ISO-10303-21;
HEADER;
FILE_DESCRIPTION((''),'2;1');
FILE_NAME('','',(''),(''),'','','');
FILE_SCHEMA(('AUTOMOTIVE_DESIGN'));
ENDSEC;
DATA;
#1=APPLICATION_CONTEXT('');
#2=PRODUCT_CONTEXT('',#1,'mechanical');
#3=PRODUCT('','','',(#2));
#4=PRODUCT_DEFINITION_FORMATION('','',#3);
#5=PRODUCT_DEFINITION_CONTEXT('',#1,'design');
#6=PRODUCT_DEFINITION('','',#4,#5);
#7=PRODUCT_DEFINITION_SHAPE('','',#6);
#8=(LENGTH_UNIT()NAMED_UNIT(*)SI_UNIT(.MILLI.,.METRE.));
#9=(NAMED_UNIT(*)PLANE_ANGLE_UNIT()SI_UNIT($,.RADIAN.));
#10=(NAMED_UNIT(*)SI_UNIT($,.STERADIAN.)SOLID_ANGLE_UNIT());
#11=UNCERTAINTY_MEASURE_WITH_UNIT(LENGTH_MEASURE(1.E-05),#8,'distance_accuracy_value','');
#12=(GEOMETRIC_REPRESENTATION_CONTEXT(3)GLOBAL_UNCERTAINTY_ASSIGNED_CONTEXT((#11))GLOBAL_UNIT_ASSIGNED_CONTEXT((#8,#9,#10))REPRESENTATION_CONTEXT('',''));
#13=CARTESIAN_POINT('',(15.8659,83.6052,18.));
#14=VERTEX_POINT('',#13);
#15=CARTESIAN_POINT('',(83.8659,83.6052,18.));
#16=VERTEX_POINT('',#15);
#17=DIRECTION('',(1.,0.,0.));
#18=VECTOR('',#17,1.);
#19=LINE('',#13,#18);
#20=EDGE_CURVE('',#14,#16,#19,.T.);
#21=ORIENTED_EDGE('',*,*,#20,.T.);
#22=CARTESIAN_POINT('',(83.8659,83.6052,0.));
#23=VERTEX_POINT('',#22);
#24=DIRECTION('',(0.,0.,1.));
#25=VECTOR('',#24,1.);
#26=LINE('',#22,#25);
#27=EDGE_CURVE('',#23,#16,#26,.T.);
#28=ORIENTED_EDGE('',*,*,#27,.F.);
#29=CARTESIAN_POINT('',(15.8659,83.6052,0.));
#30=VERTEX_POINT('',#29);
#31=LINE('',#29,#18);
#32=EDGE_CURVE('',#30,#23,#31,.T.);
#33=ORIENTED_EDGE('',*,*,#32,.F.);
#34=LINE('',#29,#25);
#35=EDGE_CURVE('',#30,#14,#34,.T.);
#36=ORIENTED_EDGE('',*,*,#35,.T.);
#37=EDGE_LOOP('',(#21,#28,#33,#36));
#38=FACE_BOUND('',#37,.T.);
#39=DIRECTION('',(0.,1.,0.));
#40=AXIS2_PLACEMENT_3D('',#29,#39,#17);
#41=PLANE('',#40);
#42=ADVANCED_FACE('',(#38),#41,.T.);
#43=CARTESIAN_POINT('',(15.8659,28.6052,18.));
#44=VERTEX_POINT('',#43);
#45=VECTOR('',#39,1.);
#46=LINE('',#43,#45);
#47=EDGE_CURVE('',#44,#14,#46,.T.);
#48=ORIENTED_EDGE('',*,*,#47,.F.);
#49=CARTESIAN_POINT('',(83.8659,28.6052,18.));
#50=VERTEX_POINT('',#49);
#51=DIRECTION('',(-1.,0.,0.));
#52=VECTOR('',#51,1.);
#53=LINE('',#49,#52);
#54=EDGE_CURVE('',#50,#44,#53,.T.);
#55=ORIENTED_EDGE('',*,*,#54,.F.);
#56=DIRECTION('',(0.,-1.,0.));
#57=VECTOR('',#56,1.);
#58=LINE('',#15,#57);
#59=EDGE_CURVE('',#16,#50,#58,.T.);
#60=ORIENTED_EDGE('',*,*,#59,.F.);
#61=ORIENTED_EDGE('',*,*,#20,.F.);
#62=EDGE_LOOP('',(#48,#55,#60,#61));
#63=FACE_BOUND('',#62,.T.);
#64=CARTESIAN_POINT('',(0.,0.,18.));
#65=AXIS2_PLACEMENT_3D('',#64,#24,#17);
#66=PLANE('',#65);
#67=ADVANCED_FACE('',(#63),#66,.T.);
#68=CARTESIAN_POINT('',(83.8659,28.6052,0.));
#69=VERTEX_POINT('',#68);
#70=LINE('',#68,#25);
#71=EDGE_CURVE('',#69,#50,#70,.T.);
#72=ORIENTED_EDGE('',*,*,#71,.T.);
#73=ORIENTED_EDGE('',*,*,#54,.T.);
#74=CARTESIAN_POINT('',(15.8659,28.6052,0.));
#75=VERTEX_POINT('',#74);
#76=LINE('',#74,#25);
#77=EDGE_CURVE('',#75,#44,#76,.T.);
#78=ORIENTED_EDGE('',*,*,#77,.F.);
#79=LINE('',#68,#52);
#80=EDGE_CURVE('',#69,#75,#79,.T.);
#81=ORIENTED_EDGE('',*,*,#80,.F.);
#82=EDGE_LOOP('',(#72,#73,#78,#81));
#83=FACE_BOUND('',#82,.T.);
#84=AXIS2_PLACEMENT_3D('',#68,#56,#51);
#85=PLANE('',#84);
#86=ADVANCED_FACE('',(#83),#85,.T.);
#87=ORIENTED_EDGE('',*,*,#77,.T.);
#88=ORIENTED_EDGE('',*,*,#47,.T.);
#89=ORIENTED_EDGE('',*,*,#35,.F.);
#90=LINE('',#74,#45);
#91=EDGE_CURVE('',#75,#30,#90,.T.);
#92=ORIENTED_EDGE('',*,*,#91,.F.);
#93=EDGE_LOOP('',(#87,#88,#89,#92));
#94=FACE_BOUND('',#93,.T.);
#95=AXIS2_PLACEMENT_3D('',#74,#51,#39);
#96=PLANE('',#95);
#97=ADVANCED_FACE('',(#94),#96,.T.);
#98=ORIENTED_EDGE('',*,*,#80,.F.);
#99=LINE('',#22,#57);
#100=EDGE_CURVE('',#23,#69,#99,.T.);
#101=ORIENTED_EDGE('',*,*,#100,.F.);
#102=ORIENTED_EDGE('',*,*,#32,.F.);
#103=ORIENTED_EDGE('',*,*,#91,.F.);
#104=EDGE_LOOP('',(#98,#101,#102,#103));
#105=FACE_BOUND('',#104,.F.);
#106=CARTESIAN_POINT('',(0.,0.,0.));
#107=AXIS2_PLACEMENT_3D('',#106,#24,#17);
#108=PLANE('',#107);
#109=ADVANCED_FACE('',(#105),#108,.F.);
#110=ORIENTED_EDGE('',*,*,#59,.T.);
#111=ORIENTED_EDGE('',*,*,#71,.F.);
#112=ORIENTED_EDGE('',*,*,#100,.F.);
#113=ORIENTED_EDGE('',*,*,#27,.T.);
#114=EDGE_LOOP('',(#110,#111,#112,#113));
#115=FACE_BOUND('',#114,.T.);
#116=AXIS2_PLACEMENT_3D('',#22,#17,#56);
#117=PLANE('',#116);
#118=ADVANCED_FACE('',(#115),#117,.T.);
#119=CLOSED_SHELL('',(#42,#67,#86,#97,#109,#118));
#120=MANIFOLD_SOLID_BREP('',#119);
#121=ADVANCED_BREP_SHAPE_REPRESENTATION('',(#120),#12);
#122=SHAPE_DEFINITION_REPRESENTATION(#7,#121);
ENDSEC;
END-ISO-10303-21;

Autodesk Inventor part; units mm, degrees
ref_plane "YZ Plane" through (0, 0, 0) normal (1, 0, 0) x (0, 1, 0)
ref_plane "XZ Plane" through (0, 0, 0) normal (0, 1, 0) x (-1, 0, 0)
ref_plane "XY Plane" through (0, 0, 0) normal (0, 0, 1) x (1, 0, 0)
ref_plane "Work Plane1" through (0, 0, 0) normal (0, 0, 1) x (1, 0, 0)
sketch "Sketch1" plane through (0, 0, 0) normal (0, 0, 1) x (1, 0, 0)
  line L0 (83.8659, 28.6052) -> (15.8659, 28.6052)
  line L1 (15.8659, 28.6052) -> (15.8659, 83.6052)
  line L2 (15.8659, 83.6052) -> (83.8659, 83.6052)
  line L3 (83.8659, 83.6052) -> (83.8659, 28.6052)
  point P0 (0, 0)
  dimension "d0" = 68
  dimension "d1" = 55
extrude "Extrusion1" add sketch "Sketch1" along normal blind 18
properties part number "battery"
